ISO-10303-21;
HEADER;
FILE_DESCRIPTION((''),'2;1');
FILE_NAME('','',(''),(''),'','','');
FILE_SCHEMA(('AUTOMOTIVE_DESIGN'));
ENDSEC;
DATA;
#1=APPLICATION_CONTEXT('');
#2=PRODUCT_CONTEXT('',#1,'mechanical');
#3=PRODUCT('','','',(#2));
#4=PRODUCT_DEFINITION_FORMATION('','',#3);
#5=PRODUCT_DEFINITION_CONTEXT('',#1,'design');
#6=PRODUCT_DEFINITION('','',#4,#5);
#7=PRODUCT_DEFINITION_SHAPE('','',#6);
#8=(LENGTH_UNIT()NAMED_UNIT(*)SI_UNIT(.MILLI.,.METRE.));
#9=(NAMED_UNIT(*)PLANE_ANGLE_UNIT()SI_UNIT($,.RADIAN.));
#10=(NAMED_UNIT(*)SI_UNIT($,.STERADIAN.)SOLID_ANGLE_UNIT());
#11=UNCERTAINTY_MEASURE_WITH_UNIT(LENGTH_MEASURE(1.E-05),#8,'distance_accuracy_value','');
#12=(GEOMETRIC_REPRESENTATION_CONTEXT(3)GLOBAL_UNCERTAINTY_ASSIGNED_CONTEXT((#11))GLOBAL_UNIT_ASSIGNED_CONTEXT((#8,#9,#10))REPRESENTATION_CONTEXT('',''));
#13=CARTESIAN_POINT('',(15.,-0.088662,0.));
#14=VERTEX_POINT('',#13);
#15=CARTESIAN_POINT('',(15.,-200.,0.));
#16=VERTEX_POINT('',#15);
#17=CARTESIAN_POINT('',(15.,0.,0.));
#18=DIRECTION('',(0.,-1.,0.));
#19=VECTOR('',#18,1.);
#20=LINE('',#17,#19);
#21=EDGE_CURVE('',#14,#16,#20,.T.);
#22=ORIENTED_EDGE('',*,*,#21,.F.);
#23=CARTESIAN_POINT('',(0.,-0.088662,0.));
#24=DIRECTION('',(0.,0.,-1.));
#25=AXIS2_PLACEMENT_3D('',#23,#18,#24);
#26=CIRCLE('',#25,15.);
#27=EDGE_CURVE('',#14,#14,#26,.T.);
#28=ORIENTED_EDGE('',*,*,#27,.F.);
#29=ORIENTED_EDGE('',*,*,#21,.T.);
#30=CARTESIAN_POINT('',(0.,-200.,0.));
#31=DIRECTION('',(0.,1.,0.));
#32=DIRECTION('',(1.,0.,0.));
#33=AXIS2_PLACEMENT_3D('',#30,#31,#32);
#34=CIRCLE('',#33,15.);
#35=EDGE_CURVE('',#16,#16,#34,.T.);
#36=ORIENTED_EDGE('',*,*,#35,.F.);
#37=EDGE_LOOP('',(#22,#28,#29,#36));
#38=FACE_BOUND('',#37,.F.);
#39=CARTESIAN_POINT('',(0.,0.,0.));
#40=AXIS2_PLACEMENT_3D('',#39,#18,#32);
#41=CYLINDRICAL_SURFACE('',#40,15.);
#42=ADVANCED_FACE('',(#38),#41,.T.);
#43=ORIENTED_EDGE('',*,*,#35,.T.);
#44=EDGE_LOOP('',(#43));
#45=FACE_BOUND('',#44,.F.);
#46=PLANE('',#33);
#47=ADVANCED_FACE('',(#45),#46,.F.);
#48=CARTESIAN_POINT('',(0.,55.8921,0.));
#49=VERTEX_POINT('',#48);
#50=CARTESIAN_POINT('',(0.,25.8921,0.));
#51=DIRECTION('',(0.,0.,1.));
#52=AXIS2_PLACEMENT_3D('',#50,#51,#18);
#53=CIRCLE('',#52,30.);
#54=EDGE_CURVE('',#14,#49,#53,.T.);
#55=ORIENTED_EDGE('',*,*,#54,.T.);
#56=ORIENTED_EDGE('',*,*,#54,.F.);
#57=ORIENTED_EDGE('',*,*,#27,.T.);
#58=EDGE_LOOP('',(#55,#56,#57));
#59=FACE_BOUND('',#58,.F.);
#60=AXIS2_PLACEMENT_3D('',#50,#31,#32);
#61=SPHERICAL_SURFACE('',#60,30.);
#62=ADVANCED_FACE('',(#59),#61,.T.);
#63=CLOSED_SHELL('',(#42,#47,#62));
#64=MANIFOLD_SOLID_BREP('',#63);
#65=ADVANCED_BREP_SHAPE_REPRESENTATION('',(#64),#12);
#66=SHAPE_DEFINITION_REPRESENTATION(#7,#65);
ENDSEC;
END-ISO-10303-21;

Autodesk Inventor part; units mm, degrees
ref_plane "YZ Plane" through (0, 0, 0) normal (1, 0, 0) x (0, 1, 0)
ref_plane "XZ Plane" through (0, 0, 0) normal (0, 1, 0) x (-1, 0, 0)
ref_plane "XY Plane" through (0, 0, 0) normal (0, 0, 1) x (1, 0, 0)
sketch "Sketch1" plane through (0, 0, 0) normal (0, 0, 1) x (1, 0, 0)
  line L0 (0, 0) -> (15, 0)
  line L1 (15, 0) -> (15, -200)
  line L2 (15, -200) -> (0, -200)
  line L3 (0, -200) -> (0, 0)
  dimension "d0" = 15
  dimension "d1" = 200
revolve "Revolution1" add sketch "Sketch1" angle 360 about axis through (0, -200, 0) along (0, 1, 0)
sketch "Sketch2" plane through (0, 0, 0) normal (0, 0, 1) x (1, 0, 0)
  arc A0 (0, -4.1079) -> (0, 55.8921) centre (0, 25.8921) ccw
  line L0 (0, 55.8921) -> (0, -4.1079)
  point P0 (0, 0)
  dimension "d3" = 60
revolve "Revolution2" add sketch "Sketch2" angle 360 about axis through (0, 55.8921, 0) along (0, -1, 0)
properties part number "pin kepala"
